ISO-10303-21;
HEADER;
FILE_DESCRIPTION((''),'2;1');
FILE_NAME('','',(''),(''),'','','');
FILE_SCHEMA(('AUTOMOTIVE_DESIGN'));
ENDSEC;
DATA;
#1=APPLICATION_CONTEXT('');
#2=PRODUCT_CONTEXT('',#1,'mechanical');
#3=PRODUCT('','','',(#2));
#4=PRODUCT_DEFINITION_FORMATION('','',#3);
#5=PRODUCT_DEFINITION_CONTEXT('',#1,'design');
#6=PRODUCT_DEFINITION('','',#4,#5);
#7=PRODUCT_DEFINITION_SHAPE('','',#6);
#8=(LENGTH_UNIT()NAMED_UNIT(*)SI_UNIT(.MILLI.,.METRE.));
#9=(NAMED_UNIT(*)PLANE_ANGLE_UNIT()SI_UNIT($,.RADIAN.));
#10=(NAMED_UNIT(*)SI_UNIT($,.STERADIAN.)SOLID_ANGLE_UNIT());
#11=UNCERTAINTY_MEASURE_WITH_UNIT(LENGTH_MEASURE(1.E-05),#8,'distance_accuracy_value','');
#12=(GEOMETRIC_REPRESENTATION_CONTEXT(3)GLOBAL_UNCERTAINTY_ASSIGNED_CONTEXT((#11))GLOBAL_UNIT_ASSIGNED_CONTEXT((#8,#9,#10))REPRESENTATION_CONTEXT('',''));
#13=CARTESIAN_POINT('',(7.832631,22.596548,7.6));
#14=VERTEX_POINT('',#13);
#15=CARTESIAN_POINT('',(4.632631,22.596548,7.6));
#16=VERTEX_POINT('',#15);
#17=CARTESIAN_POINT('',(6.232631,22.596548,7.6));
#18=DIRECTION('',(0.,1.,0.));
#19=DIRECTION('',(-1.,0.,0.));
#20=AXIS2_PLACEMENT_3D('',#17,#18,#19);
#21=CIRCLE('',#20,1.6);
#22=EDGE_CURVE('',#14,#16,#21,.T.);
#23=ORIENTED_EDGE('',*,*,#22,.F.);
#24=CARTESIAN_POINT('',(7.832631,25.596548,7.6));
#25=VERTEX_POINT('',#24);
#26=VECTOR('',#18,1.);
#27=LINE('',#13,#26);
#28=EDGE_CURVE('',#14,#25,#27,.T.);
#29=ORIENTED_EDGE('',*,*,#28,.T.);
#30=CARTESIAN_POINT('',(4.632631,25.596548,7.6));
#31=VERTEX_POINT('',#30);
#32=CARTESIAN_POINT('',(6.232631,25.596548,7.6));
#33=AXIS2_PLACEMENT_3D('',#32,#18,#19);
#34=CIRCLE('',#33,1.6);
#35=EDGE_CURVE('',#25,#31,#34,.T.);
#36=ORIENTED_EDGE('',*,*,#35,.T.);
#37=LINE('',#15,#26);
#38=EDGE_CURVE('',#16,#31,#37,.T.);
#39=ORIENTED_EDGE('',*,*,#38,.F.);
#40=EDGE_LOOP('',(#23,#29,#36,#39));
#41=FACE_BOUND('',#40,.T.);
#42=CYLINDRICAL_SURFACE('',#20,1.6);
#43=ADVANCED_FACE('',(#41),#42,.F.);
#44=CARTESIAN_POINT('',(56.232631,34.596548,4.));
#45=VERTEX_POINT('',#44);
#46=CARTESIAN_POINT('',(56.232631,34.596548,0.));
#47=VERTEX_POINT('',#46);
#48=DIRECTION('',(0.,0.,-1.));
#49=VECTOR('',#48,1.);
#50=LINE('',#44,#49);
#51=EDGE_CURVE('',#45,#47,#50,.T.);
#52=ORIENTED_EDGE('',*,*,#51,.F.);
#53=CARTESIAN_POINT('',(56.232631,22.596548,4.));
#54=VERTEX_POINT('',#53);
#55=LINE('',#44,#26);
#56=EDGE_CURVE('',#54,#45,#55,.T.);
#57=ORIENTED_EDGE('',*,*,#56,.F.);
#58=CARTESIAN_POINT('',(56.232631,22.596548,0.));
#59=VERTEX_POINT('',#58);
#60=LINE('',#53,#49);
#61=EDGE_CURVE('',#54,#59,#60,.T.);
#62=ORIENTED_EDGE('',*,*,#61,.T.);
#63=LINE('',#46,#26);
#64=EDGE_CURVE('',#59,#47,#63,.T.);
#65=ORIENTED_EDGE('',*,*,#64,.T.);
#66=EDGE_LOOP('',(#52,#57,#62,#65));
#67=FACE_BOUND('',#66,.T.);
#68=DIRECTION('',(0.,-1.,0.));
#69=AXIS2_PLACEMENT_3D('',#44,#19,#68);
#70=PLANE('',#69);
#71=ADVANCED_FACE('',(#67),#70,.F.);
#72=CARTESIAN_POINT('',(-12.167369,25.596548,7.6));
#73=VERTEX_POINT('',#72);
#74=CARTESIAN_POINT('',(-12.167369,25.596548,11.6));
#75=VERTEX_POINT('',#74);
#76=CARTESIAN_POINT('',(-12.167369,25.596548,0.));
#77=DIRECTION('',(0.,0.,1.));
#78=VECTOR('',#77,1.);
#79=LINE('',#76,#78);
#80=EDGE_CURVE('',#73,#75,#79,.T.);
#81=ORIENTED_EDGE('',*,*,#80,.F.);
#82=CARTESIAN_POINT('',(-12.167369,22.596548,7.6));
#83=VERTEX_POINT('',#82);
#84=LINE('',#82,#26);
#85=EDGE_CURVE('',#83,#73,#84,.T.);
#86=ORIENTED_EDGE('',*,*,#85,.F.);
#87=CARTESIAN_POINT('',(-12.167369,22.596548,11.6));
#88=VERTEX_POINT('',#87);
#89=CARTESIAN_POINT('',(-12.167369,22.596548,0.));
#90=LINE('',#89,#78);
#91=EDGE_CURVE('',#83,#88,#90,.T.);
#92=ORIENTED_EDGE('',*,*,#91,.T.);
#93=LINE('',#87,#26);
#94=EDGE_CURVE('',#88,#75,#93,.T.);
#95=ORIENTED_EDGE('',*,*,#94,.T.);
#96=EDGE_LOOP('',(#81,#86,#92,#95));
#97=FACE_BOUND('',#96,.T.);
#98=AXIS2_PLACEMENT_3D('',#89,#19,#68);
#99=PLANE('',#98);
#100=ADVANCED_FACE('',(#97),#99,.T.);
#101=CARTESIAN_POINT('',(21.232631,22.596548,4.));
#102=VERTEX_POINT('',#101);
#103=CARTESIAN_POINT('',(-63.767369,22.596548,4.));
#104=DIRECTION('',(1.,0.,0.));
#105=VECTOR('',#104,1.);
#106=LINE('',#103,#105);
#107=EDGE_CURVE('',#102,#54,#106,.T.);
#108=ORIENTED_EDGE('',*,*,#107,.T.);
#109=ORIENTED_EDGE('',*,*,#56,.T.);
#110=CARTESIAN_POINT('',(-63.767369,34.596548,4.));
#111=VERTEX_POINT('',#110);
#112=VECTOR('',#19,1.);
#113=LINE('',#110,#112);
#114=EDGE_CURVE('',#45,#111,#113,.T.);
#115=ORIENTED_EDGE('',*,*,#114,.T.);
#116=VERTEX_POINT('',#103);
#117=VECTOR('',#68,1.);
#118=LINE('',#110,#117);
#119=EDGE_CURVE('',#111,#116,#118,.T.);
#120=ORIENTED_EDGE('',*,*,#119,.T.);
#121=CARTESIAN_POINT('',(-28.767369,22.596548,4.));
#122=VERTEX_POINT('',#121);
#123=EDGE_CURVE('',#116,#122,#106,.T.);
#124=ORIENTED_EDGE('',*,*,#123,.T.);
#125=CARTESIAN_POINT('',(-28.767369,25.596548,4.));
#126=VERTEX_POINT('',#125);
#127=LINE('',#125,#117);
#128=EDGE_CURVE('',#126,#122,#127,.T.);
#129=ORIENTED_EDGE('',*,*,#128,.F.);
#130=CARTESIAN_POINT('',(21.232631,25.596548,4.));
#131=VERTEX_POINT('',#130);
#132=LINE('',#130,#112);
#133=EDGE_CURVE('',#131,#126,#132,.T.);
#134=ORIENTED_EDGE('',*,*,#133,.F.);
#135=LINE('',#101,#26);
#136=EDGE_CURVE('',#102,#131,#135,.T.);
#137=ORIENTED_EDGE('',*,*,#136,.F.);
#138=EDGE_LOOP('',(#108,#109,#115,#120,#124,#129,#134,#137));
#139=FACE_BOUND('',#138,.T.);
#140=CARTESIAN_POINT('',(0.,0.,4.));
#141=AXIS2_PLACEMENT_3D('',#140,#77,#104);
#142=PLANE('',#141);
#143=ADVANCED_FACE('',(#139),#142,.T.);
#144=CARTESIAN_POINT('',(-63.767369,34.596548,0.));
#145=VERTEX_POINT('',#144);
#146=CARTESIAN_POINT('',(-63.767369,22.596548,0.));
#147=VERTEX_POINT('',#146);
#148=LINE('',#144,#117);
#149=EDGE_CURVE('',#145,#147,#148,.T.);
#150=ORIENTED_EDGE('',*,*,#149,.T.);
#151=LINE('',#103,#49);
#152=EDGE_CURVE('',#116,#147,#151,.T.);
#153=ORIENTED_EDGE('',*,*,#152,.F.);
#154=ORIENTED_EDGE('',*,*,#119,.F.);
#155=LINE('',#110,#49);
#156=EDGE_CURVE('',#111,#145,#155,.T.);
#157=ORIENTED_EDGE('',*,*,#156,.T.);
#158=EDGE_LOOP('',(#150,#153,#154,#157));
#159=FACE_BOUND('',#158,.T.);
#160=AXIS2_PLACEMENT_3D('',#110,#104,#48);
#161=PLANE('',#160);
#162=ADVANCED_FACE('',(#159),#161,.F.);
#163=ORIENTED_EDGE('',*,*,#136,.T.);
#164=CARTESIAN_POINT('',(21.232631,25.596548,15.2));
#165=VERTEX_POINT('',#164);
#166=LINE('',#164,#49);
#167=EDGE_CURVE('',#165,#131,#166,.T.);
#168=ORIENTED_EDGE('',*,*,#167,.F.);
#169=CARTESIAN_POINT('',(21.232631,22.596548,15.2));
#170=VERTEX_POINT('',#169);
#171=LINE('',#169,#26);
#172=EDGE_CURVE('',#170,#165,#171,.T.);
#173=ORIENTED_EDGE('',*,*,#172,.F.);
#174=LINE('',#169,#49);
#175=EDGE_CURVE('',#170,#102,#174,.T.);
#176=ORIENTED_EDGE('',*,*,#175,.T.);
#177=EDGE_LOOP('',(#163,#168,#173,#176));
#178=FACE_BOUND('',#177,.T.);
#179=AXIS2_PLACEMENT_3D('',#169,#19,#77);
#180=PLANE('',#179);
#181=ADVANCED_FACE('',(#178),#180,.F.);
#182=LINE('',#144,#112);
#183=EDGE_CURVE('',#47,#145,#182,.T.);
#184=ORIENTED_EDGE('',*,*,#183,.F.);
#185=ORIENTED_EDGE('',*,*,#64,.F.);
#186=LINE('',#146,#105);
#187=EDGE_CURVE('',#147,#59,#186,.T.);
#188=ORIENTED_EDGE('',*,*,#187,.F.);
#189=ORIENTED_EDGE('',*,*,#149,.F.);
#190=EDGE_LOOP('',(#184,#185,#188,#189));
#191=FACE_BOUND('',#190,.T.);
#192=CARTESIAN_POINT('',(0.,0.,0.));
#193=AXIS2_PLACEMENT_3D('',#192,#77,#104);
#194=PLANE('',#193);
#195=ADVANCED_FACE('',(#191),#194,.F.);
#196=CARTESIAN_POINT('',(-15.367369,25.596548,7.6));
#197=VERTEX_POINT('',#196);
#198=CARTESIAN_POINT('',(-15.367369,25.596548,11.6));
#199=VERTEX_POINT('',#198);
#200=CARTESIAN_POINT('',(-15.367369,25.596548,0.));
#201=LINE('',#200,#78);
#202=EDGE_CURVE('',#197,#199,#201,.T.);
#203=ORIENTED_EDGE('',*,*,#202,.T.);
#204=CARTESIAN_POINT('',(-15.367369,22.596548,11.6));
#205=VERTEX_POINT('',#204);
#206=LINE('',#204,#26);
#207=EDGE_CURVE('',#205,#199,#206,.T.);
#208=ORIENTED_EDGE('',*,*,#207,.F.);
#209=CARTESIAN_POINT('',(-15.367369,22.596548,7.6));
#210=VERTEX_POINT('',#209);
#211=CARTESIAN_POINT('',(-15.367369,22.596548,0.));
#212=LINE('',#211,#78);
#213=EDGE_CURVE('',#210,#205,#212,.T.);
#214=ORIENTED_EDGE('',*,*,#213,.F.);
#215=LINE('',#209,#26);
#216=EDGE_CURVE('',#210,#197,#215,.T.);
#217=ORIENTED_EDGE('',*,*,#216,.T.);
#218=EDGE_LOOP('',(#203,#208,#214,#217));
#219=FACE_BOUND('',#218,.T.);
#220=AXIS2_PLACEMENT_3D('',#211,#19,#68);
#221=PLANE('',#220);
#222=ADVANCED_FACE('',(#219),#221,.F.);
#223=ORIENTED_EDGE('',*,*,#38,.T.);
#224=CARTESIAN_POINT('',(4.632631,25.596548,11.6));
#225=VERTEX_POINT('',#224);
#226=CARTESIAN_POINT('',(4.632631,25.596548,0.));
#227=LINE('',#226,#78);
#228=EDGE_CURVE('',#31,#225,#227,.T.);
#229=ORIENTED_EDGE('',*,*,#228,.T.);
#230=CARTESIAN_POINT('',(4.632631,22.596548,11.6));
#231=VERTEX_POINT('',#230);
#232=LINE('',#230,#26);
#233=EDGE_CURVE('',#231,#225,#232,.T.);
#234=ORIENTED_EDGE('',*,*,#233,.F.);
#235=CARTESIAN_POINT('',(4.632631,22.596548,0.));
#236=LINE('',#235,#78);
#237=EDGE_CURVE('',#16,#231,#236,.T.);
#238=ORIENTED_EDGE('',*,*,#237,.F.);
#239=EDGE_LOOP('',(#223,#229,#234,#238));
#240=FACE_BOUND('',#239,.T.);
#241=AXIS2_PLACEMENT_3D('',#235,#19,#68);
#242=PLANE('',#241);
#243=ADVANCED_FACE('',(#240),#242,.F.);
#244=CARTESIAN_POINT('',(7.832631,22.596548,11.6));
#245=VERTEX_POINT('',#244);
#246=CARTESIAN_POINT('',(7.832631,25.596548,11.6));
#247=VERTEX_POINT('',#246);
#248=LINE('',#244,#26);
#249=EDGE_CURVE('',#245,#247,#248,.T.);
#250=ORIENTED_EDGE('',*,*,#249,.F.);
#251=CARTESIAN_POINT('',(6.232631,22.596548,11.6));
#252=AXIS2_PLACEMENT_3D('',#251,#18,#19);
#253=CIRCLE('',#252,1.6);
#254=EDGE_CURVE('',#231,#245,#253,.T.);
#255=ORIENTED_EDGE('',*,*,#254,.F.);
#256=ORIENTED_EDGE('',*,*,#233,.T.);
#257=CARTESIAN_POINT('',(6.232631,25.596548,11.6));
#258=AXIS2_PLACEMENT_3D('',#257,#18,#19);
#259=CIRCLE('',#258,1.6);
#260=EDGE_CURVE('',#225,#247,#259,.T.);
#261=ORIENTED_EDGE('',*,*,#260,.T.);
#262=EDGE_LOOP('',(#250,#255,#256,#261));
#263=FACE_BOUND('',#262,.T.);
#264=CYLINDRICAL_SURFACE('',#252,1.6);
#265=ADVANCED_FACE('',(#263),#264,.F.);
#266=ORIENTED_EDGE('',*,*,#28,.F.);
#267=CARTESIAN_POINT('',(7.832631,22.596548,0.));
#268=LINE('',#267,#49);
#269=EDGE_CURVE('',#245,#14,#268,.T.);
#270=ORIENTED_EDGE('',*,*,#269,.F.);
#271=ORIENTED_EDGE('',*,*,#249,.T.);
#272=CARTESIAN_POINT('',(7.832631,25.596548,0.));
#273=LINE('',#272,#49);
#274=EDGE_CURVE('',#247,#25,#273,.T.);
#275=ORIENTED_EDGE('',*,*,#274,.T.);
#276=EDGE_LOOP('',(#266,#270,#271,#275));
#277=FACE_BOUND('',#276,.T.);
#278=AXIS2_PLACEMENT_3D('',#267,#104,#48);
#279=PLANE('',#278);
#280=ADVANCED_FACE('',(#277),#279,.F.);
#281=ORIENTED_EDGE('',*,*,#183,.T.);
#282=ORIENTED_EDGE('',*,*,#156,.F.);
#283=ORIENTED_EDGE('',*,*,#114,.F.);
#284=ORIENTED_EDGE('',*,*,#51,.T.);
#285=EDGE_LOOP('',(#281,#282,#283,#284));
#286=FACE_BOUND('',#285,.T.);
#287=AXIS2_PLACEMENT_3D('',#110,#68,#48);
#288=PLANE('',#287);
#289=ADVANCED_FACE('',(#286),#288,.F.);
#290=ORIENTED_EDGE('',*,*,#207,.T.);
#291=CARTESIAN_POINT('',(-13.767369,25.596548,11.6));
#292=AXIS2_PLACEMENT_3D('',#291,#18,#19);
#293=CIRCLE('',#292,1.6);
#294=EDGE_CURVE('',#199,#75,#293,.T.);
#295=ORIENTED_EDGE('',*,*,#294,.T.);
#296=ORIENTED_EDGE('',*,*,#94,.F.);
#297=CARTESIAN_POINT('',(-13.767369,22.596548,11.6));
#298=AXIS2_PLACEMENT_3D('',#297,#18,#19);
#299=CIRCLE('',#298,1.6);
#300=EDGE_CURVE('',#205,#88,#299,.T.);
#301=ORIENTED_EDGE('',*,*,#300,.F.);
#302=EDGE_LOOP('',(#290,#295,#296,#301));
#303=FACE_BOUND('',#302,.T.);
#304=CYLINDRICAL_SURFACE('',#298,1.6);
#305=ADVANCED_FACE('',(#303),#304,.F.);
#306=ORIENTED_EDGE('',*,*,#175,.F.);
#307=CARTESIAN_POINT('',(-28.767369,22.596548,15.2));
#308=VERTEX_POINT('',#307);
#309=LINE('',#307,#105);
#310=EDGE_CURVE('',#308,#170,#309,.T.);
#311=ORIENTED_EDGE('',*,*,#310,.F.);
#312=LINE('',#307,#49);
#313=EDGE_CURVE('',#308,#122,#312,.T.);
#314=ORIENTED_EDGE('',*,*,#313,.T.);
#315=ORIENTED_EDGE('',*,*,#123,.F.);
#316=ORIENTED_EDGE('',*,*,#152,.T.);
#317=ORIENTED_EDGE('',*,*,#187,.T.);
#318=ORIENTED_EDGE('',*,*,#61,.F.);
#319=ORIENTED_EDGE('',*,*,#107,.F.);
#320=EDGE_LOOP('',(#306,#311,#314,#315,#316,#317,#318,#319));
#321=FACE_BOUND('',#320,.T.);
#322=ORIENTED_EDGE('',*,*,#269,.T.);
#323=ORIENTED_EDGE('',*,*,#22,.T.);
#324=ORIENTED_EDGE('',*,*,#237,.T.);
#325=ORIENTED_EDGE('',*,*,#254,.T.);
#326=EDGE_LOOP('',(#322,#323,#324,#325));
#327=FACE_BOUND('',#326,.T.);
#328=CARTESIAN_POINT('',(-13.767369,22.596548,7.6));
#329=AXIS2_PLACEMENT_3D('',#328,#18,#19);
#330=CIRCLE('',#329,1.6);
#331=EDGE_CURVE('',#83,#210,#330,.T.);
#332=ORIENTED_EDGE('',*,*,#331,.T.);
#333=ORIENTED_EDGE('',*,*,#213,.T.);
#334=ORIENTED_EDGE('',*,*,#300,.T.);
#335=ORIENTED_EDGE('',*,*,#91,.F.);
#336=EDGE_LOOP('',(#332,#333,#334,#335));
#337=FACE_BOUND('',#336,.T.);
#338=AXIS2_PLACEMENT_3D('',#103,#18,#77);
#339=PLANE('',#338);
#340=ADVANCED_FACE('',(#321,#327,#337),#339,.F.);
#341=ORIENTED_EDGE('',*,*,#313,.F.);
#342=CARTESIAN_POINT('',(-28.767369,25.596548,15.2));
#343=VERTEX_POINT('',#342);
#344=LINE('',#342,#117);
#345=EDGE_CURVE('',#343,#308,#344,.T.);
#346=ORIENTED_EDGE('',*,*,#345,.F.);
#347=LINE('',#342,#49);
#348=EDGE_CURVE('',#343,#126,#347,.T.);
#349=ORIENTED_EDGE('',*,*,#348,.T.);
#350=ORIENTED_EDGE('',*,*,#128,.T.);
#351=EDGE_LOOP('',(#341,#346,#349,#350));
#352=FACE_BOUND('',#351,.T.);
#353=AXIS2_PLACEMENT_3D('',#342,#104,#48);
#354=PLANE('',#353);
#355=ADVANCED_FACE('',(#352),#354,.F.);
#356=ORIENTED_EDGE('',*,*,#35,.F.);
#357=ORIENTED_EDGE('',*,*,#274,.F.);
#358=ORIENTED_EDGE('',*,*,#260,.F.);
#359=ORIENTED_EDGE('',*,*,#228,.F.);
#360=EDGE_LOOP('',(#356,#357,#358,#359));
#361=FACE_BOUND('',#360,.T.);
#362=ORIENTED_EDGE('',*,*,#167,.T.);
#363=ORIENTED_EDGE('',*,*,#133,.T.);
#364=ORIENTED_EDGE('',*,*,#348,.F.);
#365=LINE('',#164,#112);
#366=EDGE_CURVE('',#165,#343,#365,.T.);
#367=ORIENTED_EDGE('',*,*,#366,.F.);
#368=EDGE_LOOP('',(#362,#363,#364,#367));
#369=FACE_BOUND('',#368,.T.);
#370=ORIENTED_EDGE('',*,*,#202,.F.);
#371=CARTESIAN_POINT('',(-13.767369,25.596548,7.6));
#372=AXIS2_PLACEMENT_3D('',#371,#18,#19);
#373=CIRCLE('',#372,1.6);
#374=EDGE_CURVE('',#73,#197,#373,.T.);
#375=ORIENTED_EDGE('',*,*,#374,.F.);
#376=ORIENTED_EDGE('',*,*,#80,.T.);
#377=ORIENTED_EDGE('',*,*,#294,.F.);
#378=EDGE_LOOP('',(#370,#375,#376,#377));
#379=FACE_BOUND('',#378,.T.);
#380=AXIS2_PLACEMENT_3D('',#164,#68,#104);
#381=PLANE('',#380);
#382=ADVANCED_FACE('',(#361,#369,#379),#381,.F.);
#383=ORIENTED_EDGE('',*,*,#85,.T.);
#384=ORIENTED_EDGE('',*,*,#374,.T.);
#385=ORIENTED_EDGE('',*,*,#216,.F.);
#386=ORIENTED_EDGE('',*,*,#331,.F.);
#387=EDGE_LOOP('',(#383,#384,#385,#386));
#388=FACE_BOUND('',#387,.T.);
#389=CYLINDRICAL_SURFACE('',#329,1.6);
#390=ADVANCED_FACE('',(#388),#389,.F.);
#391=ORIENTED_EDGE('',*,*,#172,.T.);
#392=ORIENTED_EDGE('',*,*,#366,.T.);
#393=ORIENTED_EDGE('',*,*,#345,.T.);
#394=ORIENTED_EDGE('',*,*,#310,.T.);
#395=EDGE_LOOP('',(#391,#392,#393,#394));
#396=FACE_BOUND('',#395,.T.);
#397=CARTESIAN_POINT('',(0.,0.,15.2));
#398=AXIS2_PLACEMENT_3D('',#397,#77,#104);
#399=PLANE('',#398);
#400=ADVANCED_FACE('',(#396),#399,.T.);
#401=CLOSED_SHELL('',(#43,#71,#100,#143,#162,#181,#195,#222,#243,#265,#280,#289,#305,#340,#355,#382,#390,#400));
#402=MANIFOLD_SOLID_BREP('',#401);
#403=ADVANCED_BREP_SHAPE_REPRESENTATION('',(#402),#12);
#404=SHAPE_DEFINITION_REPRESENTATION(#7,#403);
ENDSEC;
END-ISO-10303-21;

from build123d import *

# Parameters (mm, degrees)
SKETCH1_W           = 120
SKETCH1_H           = 12
BOSS_EXTRUDE1_DEPTH = 4
BOSS_EXTRUDE2_DEPTH = 11.2
CUT_EXTRUDE1_DEPTH  = 3


with BuildPart() as part:
    # Sketch1 → Boss-Extrude1 (new body)
    with BuildSketch(Plane.XY):
        with Locations((-3.767369491, 28.596547675)):
            Rectangle(SKETCH1_W, SKETCH1_H)
    extrude(amount=BOSS_EXTRUDE1_DEPTH)

    # Sketch2 → Boss-Extrude2 (add)
    with BuildSketch(Plane.XY.offset(4)):
        Polygon((-3.767369491, 22.596547675), (21.232630509, 22.596547675), (21.232630509, 25.596547675), (-28.767369491, 25.596547675), (-28.767369491, 22.596547675), align=None)
    extrude(amount=BOSS_EXTRUDE2_DEPTH)

    # Sketch3 → Cut-Extrude1 (cut)
    with BuildSketch(Plane(origin=(0, 25.596547675, 0), x_dir=(1, 0, 0), z_dir=(0, 1, 0))):
        with BuildLine():
            Line((7.832630509, -11.6), (7.832630509, -7.6))
            ThreePointArc((7.832630509, -7.6), (6.232630509, -6), (4.632630509, -7.6))
            Line((4.632630509, -7.6), (4.632630509, -11.6))
            ThreePointArc((4.632630509, -11.6), (6.232630509, -13.2), (7.832630509, -11.6))
        make_face()
        with BuildLine():
            Line((-15.367369491, -7.6), (-15.367369491, -11.6))
            ThreePointArc((-15.367369491, -11.6), (-13.767369491, -13.2), (-12.167369491, -11.6))
            Line((-12.167369491, -11.6), (-12.167369491, -7.6))
            ThreePointArc((-12.167369491, -7.6), (-13.767369491, -6), (-15.367369491, -7.6))
        make_face()
    extrude(amount=-CUT_EXTRUDE1_DEPTH, mode=Mode.SUBTRACT)


solid = part.part
